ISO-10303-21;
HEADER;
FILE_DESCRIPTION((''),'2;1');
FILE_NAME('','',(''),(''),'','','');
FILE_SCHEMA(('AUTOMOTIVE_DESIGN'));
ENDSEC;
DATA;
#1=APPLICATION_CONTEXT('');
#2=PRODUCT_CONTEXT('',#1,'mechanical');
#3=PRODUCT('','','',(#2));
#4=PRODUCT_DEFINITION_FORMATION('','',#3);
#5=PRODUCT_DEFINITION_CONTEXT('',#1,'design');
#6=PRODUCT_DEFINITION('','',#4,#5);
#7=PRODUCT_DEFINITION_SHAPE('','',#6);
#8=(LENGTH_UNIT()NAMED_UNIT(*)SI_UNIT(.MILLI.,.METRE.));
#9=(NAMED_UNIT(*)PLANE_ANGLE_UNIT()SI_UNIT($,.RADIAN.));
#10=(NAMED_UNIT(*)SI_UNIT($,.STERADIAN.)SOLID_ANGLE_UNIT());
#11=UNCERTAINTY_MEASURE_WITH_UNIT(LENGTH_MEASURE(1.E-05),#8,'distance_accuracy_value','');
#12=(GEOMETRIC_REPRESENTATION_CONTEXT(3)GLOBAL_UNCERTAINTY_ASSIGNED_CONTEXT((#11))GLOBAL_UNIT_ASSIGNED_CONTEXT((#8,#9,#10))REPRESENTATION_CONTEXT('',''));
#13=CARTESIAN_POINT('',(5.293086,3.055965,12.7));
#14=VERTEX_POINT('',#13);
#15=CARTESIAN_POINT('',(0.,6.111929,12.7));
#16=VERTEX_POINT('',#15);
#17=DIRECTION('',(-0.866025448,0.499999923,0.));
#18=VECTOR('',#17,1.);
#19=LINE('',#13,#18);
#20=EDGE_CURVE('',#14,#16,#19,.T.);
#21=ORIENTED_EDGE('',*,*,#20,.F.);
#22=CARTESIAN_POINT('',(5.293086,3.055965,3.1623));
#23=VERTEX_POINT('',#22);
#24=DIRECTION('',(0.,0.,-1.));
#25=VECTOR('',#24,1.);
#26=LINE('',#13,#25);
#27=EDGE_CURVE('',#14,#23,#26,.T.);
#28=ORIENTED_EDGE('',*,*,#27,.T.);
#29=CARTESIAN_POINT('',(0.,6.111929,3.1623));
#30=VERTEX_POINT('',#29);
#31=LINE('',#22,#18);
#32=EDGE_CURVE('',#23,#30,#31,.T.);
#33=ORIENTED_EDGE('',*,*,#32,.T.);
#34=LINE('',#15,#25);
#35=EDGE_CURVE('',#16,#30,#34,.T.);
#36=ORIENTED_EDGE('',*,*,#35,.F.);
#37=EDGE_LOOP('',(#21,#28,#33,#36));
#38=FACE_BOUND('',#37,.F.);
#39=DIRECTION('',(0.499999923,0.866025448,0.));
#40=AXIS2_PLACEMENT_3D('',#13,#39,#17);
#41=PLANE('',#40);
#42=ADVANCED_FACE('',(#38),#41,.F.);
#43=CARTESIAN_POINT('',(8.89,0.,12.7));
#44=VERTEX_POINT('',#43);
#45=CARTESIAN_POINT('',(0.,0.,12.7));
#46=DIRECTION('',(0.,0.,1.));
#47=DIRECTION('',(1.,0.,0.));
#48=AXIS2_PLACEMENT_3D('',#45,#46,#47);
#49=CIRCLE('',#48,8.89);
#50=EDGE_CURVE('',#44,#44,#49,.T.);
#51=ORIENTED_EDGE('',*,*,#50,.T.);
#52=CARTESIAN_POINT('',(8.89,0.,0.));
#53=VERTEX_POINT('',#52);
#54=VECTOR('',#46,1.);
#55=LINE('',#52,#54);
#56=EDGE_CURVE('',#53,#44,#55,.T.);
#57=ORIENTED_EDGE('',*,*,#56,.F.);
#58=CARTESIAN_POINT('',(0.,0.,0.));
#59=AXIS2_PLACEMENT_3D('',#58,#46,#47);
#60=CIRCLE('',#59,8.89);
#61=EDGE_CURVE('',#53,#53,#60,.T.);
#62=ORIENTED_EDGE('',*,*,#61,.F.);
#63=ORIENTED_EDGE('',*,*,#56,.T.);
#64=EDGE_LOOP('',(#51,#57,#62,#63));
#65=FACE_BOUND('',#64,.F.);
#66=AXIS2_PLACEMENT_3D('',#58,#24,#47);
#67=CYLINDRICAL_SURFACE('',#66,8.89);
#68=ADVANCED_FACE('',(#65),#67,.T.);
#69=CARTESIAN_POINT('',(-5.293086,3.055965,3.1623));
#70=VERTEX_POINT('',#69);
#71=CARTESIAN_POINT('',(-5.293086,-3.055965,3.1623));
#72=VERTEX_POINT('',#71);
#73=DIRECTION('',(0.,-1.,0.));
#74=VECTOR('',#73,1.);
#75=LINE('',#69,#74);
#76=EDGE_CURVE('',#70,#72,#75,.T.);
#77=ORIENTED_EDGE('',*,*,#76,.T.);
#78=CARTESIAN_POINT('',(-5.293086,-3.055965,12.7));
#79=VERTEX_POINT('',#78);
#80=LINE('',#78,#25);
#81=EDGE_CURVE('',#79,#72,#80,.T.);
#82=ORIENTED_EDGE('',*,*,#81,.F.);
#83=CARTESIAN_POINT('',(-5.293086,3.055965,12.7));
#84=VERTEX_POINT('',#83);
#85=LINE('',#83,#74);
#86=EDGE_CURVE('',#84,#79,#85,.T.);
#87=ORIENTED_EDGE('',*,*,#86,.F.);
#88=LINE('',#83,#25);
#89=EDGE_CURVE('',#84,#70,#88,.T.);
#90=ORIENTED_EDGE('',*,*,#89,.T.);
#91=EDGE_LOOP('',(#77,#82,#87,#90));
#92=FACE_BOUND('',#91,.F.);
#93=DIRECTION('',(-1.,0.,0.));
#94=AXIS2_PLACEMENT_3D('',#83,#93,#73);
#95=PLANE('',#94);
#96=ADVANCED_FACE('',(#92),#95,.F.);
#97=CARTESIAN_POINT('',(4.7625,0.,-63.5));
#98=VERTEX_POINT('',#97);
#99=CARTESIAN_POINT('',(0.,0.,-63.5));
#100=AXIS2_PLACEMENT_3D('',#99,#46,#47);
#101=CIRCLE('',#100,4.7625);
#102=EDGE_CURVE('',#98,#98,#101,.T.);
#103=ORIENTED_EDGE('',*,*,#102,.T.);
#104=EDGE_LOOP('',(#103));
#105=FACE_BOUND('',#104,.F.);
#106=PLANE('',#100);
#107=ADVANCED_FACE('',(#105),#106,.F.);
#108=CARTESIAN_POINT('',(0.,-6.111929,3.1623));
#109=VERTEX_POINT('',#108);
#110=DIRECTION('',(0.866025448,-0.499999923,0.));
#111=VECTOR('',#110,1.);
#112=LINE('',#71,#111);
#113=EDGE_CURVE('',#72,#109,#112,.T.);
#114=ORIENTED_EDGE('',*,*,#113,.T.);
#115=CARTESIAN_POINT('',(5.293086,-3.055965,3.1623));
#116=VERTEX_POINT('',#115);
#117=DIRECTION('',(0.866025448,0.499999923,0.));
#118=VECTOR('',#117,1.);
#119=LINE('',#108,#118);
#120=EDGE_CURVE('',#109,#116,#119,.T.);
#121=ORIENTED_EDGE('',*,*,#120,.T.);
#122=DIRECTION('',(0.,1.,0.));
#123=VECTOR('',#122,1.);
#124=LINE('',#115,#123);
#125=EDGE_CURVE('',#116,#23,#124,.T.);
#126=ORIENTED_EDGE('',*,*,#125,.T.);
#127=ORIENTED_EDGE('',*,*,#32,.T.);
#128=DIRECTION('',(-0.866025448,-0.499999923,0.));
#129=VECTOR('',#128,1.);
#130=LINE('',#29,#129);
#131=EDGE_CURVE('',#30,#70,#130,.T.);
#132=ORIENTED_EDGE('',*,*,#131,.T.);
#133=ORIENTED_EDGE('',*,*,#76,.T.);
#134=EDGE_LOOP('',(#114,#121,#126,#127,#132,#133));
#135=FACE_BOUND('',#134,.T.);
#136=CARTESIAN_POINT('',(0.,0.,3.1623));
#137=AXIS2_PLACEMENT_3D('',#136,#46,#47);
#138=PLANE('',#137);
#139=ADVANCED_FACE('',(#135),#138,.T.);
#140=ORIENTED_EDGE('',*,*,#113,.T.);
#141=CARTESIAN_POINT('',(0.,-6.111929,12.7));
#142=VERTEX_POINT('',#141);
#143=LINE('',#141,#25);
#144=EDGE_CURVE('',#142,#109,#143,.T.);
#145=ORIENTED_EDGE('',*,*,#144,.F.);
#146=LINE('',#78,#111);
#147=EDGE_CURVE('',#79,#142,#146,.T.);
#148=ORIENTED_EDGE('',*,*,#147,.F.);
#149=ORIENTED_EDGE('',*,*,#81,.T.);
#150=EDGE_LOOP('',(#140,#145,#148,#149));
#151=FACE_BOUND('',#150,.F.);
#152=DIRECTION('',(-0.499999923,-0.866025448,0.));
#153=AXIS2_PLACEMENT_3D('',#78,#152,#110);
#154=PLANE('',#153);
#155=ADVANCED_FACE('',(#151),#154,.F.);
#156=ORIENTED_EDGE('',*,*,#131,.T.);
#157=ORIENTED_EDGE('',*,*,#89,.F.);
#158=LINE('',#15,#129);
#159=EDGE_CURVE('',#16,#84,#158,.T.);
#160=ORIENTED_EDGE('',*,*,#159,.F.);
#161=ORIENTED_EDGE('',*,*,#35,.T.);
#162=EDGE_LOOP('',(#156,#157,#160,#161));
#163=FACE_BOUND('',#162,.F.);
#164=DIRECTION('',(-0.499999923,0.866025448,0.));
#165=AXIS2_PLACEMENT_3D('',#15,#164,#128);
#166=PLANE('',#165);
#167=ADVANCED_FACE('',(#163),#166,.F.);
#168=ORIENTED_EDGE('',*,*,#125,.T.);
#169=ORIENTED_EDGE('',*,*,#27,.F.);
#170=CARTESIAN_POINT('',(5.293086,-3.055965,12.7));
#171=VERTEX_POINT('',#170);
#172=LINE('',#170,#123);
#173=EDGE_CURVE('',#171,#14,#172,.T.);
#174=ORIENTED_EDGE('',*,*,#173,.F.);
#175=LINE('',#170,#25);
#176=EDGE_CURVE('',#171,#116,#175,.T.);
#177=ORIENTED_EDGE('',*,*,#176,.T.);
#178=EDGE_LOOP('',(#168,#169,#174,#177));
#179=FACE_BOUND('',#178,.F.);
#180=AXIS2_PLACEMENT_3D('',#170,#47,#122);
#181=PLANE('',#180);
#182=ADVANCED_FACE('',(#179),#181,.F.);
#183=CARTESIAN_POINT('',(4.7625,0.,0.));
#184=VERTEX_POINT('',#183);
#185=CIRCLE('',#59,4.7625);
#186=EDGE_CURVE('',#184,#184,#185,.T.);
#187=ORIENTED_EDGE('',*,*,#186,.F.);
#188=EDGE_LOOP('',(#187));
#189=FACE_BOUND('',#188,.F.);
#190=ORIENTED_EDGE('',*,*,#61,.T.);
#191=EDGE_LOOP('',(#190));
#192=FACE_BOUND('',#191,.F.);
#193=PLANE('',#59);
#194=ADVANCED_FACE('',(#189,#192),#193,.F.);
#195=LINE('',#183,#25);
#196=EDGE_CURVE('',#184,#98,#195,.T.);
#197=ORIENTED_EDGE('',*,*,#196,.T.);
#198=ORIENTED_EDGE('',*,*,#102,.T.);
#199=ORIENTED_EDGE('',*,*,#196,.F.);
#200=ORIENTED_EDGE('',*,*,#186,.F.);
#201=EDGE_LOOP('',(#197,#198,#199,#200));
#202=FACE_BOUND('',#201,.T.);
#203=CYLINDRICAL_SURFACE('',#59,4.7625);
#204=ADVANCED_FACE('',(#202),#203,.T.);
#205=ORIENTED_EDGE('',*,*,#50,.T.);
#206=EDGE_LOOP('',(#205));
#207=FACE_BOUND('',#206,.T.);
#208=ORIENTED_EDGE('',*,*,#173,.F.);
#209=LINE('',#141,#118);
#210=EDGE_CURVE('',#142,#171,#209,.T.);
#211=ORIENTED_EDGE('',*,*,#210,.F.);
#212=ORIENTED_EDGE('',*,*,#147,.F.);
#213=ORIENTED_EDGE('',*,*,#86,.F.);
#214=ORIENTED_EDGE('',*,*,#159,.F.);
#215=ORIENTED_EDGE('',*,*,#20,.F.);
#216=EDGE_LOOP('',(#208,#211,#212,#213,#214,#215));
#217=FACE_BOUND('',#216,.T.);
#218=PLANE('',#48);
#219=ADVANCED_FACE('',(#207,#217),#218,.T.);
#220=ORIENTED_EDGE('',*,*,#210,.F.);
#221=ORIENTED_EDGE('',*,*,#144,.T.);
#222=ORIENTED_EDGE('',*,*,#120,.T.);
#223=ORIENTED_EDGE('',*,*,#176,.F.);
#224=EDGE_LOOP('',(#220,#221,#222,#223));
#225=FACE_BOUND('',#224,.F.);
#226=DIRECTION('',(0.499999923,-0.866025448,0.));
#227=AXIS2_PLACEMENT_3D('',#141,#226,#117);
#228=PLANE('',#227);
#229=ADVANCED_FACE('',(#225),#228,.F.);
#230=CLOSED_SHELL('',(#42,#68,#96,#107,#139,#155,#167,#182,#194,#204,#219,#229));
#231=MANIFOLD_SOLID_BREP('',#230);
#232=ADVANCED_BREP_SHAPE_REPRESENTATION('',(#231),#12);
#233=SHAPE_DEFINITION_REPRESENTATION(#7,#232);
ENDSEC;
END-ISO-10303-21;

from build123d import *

# Parameters (mm, degrees)
F0_R     = 4.7625
F1_DEPTH = 63.5
F2_R     = 8.89
F3_DEPTH = 12.7
F5_DEPTH = 9.5377


with BuildPart() as f1:
    # F0 (on Top) → F1 (new body)
    with BuildSketch(Plane.XY):
        Circle(F0_R)
    extrude(amount=-F1_DEPTH)

    # F2 (on Top) → F3 (join)
    with BuildSketch(Plane.XY):
        Circle(F2_R)
    extrude(amount=F3_DEPTH)

    # F4 (on face) → F5 (cut)
    with BuildSketch(Plane.XY.offset(12.7)):
        Polygon((5.293086, -3.055965), (5.293086, 3.055965), (0, 6.111929), (-5.293086, 3.055965), (-5.293086, -3.055965), (0, -6.111929), align=None)
    extrude(amount=-F5_DEPTH, mode=Mode.SUBTRACT)


solid = f1.part
